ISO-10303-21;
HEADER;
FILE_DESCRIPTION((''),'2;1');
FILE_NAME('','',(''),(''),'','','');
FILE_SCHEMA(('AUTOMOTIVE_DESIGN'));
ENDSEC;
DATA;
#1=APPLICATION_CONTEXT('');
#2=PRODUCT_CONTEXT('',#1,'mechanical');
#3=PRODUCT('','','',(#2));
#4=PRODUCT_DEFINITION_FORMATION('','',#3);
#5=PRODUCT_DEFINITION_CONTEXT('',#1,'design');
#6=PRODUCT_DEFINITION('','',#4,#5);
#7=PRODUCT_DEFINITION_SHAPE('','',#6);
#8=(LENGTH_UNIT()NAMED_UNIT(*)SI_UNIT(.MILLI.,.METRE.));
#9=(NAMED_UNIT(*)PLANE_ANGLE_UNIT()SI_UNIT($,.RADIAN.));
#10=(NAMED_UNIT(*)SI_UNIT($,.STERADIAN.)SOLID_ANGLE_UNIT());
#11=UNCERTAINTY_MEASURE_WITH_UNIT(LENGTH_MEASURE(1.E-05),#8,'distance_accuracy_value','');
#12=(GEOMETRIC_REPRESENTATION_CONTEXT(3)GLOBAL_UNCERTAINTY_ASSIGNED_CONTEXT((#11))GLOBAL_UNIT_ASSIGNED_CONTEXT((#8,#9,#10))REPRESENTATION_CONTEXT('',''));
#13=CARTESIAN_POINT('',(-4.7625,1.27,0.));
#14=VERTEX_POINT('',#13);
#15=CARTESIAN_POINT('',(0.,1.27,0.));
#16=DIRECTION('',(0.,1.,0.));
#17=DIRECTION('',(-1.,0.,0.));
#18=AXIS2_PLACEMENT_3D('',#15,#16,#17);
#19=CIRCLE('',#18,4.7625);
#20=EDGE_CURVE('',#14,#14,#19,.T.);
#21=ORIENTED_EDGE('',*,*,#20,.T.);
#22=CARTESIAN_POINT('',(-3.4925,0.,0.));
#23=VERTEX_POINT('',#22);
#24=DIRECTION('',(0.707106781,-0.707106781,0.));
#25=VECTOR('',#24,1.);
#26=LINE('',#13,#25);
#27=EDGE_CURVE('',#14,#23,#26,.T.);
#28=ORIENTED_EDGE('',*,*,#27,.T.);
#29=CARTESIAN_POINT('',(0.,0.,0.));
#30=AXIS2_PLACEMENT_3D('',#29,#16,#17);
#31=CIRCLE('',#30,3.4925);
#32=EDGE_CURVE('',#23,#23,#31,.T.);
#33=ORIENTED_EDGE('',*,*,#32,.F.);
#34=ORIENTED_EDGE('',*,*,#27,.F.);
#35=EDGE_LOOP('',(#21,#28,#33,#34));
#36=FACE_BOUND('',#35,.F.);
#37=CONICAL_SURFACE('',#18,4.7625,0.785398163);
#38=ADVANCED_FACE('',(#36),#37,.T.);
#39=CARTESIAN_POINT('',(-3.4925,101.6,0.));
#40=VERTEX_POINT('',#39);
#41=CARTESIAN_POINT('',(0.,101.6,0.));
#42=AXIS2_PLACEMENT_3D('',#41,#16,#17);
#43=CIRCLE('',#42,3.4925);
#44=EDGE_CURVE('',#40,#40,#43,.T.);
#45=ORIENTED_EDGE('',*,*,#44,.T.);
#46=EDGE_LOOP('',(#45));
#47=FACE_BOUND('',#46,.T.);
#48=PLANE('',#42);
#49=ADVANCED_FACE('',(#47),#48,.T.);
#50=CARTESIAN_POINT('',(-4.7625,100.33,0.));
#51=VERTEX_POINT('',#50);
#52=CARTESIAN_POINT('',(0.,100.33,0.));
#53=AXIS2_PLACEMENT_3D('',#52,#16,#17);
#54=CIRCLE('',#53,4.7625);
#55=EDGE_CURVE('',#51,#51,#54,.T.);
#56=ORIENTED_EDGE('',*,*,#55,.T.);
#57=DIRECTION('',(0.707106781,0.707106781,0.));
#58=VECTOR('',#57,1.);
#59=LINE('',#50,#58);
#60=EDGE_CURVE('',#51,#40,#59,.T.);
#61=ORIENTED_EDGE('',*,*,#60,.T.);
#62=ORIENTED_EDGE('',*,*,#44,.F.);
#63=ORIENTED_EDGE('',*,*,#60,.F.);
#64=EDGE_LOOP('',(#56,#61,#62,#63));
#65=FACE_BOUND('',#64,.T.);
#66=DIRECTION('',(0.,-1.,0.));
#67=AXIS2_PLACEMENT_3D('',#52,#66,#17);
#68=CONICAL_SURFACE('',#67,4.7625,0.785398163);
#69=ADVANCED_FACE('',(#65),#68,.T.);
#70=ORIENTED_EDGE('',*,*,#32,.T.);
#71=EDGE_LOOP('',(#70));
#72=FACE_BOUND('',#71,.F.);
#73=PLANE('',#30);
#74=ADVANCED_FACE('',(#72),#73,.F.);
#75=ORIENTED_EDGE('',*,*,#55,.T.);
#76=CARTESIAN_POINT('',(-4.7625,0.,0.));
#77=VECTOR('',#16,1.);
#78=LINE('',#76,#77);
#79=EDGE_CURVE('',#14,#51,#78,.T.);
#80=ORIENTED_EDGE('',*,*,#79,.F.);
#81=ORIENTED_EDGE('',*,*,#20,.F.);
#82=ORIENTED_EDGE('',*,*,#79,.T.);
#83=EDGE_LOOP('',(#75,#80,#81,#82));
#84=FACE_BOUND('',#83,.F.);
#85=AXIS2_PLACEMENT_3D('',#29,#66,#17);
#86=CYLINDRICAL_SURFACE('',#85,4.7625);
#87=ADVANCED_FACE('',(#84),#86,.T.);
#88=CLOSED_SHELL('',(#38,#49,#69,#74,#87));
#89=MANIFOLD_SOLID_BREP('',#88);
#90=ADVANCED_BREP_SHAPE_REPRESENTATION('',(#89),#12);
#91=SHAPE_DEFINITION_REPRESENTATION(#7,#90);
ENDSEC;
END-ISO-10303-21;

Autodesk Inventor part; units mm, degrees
ref_plane "YZ Plane" through (0, 0, 0) normal (1, 0, 0) x (0, 1, 0)
ref_plane "XZ Plane" through (0, 0, 0) normal (0, 1, 0) x (-1, 0, 0)
ref_plane "XY Plane" through (0, 0, 0) normal (0, 0, 1) x (1, 0, 0)
sketch "Sketch1" plane through (0, 0, 0) normal (0, 1, 0) x (-1, 0, 0)
  circle A0 centre (0, 0) radius 4.7625
  dimension "d0" = 9.525
extrude "Extrusion1" add sketch "Sketch1" along normal blind 101.6
chamfer "Chamfer1" distance 1.27 angle 45 1 edges at (4.7625, 101.6, 0)
chamfer "Chamfer2" distance 1.27 angle 45 1 edges at (4.7625, 0, 0)
properties part number "38shaft"
